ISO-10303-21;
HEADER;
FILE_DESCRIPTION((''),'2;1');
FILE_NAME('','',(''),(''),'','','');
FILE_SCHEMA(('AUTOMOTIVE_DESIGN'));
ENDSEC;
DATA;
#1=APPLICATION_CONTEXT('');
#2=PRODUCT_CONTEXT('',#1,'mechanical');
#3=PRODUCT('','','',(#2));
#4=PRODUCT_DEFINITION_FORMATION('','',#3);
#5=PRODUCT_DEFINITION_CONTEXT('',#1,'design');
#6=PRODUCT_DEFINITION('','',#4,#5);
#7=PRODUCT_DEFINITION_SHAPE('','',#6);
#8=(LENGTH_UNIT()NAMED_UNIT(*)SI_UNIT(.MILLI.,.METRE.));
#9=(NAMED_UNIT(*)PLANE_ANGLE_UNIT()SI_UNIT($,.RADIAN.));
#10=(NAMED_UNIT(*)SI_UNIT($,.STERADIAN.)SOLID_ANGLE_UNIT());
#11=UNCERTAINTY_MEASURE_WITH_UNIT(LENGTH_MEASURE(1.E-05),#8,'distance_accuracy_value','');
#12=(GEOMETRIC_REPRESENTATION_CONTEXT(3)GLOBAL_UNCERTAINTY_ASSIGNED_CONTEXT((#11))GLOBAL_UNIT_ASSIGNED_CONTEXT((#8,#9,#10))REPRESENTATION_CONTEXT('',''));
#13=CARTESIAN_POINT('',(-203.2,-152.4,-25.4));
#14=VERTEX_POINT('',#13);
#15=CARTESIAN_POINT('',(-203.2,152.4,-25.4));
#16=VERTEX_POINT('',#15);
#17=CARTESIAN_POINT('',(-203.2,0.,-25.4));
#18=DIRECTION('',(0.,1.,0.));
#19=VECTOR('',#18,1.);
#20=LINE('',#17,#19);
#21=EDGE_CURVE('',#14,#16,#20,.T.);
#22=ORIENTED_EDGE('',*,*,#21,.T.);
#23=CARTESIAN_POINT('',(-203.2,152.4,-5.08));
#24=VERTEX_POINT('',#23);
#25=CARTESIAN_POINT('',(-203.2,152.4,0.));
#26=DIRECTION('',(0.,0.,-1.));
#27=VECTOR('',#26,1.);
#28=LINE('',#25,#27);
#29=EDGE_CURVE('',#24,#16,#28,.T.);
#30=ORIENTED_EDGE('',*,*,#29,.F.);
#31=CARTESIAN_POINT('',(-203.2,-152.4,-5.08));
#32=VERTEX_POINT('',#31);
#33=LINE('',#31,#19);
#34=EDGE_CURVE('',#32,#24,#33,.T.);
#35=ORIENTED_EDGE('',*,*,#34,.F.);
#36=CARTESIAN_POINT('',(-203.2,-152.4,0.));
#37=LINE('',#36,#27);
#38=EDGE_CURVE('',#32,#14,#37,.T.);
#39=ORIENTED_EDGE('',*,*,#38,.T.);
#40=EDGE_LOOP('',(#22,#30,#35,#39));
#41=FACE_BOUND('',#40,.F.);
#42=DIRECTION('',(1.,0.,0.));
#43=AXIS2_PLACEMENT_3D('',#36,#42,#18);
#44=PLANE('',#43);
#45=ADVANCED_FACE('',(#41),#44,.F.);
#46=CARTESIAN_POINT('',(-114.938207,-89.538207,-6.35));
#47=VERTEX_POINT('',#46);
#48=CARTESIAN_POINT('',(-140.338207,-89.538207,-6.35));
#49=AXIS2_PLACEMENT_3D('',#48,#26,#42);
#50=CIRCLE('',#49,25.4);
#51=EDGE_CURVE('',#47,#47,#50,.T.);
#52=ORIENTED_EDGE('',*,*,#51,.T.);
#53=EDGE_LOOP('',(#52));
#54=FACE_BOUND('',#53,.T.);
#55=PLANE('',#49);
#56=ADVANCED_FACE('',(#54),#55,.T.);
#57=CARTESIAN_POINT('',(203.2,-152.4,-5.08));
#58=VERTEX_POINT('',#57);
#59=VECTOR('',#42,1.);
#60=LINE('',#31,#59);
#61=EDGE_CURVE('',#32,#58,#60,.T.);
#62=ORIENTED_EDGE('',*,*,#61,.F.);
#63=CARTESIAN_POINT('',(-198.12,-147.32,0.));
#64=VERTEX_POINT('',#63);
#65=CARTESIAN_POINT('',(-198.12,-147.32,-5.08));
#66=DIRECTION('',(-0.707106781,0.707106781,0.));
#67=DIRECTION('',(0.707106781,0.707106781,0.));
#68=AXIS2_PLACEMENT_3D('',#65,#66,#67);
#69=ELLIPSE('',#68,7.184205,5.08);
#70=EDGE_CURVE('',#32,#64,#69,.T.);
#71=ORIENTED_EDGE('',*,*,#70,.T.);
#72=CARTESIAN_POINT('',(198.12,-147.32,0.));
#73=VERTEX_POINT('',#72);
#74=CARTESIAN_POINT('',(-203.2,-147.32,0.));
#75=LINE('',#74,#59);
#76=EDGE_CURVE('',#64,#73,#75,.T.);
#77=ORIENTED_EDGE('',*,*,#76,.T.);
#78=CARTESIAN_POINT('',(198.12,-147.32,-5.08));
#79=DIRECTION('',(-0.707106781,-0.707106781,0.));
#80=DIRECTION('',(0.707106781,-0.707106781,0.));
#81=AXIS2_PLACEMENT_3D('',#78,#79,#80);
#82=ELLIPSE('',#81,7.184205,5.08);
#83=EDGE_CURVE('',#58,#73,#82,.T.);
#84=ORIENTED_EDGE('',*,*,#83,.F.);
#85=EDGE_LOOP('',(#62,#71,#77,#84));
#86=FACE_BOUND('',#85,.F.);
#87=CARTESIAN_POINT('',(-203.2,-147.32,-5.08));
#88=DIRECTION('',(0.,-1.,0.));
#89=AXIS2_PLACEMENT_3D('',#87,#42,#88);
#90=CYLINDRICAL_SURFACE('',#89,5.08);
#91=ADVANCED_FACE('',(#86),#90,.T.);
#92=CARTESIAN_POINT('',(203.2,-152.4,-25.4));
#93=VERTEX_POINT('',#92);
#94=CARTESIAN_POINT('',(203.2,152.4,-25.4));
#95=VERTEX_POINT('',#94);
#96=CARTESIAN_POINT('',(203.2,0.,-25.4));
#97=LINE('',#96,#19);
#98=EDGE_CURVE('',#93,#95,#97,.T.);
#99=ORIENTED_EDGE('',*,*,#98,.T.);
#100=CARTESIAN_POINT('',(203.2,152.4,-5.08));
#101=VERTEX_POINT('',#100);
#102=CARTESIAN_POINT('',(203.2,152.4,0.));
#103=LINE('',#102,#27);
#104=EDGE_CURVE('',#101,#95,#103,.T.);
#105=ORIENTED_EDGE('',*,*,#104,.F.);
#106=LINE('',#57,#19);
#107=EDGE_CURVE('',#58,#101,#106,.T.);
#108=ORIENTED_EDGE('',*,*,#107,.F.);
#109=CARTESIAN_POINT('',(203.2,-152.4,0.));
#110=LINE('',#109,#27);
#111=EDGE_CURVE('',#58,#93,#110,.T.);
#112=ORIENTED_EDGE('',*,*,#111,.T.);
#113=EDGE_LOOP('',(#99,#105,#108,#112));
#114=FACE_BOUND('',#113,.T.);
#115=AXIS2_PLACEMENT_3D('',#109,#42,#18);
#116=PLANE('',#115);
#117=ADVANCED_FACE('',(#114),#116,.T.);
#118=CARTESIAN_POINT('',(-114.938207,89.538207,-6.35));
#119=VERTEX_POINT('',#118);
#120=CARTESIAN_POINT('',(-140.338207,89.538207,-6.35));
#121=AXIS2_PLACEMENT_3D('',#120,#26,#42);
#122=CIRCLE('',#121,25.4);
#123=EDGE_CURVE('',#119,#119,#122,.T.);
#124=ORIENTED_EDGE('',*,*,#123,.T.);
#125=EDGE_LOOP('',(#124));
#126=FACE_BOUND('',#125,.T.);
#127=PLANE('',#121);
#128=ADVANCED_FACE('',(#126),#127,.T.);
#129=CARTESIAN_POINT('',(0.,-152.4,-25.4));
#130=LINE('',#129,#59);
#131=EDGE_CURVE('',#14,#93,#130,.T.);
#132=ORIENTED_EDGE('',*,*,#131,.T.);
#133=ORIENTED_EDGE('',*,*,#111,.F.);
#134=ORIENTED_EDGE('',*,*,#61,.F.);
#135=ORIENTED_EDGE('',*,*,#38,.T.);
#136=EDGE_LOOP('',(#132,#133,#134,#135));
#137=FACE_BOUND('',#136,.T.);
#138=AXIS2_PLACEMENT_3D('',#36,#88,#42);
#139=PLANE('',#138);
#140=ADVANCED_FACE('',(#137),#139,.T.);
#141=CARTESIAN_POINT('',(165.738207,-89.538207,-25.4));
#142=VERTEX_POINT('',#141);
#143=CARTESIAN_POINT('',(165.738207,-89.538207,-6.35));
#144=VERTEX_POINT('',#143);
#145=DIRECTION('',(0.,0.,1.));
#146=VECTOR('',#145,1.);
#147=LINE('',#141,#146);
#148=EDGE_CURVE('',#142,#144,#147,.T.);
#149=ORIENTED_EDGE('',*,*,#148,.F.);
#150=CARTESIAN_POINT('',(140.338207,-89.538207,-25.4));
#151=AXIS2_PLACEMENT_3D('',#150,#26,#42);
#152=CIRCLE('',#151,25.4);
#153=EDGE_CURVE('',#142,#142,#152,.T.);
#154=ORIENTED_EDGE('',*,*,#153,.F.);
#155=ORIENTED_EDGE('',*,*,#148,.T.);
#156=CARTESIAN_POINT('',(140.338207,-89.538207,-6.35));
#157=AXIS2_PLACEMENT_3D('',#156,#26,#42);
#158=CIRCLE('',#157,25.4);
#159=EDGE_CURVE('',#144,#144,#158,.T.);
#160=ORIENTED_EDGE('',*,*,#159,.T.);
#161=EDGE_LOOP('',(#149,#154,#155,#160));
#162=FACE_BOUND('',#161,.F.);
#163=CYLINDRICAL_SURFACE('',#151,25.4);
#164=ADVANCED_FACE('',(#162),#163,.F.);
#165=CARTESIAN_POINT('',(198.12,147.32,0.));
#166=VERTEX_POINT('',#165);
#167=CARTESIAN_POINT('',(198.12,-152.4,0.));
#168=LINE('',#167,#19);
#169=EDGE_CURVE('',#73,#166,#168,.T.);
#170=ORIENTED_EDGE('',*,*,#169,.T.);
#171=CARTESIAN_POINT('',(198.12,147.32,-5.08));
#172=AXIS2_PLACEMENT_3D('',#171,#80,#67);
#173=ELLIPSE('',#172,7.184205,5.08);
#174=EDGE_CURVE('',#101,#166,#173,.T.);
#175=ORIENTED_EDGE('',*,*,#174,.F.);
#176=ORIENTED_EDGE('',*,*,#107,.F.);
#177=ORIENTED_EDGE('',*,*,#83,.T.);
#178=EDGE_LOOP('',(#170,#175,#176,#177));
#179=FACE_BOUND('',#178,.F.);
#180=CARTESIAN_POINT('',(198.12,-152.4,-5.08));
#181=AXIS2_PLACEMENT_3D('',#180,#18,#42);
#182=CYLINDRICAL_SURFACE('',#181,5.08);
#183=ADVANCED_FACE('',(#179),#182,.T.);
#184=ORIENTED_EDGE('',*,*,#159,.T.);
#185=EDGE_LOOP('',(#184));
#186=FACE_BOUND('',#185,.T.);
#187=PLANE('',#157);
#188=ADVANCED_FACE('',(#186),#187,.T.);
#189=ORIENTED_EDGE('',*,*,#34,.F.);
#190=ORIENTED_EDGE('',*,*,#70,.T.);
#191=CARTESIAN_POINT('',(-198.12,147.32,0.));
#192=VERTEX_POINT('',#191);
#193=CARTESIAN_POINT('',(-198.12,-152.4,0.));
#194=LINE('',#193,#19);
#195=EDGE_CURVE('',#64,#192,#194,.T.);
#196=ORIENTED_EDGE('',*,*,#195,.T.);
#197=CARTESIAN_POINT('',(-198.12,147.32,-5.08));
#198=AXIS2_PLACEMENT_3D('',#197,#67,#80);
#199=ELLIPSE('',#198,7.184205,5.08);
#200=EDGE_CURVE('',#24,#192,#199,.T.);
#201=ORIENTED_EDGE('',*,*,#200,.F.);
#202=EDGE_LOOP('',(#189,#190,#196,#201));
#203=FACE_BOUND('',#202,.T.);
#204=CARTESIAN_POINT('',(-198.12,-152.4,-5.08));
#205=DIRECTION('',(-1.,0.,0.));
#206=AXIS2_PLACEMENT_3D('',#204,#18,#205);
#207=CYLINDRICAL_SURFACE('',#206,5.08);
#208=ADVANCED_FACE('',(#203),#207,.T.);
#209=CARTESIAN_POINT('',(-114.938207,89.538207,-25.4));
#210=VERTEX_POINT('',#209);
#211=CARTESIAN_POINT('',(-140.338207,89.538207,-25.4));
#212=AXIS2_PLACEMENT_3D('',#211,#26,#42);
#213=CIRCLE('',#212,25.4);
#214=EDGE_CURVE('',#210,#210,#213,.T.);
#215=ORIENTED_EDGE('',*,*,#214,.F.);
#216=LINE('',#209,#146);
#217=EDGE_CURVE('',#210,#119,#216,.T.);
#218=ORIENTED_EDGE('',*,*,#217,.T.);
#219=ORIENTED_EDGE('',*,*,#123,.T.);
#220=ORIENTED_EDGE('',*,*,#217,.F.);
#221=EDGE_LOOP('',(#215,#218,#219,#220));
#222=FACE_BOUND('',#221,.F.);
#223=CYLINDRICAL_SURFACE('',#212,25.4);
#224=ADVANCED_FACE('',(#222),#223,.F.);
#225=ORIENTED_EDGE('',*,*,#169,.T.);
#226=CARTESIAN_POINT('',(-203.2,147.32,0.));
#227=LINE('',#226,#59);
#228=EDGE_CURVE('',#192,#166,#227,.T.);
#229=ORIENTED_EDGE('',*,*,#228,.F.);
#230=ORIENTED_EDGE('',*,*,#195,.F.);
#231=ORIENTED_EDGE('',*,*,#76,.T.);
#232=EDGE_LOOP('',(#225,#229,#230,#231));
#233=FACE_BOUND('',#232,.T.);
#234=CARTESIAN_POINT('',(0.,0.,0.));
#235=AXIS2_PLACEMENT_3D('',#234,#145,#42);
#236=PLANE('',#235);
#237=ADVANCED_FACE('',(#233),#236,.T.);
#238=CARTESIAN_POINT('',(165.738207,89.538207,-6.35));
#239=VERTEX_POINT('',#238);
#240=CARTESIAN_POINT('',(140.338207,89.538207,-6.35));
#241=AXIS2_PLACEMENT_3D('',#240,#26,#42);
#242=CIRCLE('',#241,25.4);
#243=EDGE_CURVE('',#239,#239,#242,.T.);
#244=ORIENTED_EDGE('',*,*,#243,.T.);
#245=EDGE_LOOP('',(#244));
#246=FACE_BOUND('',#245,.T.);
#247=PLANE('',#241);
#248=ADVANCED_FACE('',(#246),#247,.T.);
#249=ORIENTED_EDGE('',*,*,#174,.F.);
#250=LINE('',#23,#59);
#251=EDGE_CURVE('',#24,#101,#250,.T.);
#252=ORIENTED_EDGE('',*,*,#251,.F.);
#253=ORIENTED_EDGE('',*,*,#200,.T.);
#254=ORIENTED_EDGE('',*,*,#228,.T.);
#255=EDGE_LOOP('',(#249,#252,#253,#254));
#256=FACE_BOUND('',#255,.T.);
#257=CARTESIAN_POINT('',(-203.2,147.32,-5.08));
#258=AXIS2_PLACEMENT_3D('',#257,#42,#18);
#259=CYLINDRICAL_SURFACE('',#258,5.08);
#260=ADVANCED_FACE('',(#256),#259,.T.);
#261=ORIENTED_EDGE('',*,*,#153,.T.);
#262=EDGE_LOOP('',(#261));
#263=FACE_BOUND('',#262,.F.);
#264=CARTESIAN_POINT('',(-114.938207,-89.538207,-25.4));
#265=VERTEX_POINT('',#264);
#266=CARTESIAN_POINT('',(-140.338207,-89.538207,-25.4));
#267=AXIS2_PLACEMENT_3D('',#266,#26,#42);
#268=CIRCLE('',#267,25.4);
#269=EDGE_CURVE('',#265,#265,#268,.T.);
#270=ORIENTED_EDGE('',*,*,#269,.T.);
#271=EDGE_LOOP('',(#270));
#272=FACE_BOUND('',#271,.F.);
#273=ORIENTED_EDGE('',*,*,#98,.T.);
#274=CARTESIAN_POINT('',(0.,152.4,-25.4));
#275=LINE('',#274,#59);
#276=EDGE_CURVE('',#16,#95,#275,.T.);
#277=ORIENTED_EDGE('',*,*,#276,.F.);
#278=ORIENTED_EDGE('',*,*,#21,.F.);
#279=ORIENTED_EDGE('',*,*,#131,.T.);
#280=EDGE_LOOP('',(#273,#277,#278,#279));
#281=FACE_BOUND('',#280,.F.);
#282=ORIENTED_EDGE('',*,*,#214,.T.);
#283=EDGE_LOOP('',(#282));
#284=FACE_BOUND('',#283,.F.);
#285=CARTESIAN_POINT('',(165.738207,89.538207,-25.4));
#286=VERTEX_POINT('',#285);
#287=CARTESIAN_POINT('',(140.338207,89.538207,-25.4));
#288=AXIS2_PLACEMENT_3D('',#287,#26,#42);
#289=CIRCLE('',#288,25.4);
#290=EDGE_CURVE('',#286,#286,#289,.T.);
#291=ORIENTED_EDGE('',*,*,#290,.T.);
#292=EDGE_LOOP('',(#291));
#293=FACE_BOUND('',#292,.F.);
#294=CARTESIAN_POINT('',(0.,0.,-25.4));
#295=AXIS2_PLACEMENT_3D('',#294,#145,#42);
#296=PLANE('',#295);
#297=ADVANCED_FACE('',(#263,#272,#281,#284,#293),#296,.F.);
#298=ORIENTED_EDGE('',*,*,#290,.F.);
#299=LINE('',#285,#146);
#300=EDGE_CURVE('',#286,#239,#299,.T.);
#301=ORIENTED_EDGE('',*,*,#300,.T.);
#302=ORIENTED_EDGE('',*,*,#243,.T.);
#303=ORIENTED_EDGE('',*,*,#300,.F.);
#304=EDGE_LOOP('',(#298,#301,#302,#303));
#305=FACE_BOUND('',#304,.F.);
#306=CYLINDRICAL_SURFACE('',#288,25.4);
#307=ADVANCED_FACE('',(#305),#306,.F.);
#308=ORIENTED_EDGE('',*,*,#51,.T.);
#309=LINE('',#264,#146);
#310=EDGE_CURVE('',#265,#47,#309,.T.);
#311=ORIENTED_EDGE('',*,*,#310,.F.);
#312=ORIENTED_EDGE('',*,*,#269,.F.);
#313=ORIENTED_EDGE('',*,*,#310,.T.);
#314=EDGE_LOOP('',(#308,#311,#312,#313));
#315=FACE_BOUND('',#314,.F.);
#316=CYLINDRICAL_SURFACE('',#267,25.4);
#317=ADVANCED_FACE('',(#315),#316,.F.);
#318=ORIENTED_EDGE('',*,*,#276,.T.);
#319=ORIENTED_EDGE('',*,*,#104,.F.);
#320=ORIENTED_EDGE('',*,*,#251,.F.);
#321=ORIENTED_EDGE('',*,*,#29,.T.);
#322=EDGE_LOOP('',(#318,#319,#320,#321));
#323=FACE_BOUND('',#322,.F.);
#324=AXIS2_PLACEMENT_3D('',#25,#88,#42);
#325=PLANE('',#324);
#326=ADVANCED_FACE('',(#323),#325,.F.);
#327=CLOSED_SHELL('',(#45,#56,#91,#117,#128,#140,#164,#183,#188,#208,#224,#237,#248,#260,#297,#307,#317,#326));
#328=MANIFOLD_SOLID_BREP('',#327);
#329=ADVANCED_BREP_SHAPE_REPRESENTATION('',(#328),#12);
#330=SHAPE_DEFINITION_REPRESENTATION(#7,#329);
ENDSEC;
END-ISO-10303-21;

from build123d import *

# Parameters (mm, degrees)
F0_W     = 406.4
F0_H     = 304.8
F1_DEPTH = 25.4
F2_R     = 5.08
F3_R     = 25.4
F4_DEPTH = 19.05


with BuildPart() as f1:
    # F0 (on Top) → F1 (new body)
    with BuildSketch(Plane.XY):
        Rectangle(F0_W, F0_H)
    extrude(amount=-F1_DEPTH)

    # F2
    f2_edges = [f1.edges().sort_by_distance(p)[0] for p in [
        (0, -152.4, 0),
        (203.2, 0, 0),
        (0, 152.4, 0),
        (-203.2, 0, 0),
    ]]
    fillet(f2_edges, radius=F2_R)

    # F3 (on face) → F4 (cut)
    with BuildSketch(Plane(origin=(0, 0, -25.4), x_dir=(1, 0, 0), z_dir=(0, 0, -1))):
        with Locations((-140.338207, 89.538207)):
            Circle(F3_R)
        with Locations((140.338207, 89.538207)):
            Circle(F3_R)
        with Locations((-140.338207, -89.538207)):
            Circle(F3_R)
        with Locations((140.338207, -89.538207)):
            Circle(F3_R)
    extrude(amount=-F4_DEPTH, mode=Mode.SUBTRACT)


solid = f1.part
